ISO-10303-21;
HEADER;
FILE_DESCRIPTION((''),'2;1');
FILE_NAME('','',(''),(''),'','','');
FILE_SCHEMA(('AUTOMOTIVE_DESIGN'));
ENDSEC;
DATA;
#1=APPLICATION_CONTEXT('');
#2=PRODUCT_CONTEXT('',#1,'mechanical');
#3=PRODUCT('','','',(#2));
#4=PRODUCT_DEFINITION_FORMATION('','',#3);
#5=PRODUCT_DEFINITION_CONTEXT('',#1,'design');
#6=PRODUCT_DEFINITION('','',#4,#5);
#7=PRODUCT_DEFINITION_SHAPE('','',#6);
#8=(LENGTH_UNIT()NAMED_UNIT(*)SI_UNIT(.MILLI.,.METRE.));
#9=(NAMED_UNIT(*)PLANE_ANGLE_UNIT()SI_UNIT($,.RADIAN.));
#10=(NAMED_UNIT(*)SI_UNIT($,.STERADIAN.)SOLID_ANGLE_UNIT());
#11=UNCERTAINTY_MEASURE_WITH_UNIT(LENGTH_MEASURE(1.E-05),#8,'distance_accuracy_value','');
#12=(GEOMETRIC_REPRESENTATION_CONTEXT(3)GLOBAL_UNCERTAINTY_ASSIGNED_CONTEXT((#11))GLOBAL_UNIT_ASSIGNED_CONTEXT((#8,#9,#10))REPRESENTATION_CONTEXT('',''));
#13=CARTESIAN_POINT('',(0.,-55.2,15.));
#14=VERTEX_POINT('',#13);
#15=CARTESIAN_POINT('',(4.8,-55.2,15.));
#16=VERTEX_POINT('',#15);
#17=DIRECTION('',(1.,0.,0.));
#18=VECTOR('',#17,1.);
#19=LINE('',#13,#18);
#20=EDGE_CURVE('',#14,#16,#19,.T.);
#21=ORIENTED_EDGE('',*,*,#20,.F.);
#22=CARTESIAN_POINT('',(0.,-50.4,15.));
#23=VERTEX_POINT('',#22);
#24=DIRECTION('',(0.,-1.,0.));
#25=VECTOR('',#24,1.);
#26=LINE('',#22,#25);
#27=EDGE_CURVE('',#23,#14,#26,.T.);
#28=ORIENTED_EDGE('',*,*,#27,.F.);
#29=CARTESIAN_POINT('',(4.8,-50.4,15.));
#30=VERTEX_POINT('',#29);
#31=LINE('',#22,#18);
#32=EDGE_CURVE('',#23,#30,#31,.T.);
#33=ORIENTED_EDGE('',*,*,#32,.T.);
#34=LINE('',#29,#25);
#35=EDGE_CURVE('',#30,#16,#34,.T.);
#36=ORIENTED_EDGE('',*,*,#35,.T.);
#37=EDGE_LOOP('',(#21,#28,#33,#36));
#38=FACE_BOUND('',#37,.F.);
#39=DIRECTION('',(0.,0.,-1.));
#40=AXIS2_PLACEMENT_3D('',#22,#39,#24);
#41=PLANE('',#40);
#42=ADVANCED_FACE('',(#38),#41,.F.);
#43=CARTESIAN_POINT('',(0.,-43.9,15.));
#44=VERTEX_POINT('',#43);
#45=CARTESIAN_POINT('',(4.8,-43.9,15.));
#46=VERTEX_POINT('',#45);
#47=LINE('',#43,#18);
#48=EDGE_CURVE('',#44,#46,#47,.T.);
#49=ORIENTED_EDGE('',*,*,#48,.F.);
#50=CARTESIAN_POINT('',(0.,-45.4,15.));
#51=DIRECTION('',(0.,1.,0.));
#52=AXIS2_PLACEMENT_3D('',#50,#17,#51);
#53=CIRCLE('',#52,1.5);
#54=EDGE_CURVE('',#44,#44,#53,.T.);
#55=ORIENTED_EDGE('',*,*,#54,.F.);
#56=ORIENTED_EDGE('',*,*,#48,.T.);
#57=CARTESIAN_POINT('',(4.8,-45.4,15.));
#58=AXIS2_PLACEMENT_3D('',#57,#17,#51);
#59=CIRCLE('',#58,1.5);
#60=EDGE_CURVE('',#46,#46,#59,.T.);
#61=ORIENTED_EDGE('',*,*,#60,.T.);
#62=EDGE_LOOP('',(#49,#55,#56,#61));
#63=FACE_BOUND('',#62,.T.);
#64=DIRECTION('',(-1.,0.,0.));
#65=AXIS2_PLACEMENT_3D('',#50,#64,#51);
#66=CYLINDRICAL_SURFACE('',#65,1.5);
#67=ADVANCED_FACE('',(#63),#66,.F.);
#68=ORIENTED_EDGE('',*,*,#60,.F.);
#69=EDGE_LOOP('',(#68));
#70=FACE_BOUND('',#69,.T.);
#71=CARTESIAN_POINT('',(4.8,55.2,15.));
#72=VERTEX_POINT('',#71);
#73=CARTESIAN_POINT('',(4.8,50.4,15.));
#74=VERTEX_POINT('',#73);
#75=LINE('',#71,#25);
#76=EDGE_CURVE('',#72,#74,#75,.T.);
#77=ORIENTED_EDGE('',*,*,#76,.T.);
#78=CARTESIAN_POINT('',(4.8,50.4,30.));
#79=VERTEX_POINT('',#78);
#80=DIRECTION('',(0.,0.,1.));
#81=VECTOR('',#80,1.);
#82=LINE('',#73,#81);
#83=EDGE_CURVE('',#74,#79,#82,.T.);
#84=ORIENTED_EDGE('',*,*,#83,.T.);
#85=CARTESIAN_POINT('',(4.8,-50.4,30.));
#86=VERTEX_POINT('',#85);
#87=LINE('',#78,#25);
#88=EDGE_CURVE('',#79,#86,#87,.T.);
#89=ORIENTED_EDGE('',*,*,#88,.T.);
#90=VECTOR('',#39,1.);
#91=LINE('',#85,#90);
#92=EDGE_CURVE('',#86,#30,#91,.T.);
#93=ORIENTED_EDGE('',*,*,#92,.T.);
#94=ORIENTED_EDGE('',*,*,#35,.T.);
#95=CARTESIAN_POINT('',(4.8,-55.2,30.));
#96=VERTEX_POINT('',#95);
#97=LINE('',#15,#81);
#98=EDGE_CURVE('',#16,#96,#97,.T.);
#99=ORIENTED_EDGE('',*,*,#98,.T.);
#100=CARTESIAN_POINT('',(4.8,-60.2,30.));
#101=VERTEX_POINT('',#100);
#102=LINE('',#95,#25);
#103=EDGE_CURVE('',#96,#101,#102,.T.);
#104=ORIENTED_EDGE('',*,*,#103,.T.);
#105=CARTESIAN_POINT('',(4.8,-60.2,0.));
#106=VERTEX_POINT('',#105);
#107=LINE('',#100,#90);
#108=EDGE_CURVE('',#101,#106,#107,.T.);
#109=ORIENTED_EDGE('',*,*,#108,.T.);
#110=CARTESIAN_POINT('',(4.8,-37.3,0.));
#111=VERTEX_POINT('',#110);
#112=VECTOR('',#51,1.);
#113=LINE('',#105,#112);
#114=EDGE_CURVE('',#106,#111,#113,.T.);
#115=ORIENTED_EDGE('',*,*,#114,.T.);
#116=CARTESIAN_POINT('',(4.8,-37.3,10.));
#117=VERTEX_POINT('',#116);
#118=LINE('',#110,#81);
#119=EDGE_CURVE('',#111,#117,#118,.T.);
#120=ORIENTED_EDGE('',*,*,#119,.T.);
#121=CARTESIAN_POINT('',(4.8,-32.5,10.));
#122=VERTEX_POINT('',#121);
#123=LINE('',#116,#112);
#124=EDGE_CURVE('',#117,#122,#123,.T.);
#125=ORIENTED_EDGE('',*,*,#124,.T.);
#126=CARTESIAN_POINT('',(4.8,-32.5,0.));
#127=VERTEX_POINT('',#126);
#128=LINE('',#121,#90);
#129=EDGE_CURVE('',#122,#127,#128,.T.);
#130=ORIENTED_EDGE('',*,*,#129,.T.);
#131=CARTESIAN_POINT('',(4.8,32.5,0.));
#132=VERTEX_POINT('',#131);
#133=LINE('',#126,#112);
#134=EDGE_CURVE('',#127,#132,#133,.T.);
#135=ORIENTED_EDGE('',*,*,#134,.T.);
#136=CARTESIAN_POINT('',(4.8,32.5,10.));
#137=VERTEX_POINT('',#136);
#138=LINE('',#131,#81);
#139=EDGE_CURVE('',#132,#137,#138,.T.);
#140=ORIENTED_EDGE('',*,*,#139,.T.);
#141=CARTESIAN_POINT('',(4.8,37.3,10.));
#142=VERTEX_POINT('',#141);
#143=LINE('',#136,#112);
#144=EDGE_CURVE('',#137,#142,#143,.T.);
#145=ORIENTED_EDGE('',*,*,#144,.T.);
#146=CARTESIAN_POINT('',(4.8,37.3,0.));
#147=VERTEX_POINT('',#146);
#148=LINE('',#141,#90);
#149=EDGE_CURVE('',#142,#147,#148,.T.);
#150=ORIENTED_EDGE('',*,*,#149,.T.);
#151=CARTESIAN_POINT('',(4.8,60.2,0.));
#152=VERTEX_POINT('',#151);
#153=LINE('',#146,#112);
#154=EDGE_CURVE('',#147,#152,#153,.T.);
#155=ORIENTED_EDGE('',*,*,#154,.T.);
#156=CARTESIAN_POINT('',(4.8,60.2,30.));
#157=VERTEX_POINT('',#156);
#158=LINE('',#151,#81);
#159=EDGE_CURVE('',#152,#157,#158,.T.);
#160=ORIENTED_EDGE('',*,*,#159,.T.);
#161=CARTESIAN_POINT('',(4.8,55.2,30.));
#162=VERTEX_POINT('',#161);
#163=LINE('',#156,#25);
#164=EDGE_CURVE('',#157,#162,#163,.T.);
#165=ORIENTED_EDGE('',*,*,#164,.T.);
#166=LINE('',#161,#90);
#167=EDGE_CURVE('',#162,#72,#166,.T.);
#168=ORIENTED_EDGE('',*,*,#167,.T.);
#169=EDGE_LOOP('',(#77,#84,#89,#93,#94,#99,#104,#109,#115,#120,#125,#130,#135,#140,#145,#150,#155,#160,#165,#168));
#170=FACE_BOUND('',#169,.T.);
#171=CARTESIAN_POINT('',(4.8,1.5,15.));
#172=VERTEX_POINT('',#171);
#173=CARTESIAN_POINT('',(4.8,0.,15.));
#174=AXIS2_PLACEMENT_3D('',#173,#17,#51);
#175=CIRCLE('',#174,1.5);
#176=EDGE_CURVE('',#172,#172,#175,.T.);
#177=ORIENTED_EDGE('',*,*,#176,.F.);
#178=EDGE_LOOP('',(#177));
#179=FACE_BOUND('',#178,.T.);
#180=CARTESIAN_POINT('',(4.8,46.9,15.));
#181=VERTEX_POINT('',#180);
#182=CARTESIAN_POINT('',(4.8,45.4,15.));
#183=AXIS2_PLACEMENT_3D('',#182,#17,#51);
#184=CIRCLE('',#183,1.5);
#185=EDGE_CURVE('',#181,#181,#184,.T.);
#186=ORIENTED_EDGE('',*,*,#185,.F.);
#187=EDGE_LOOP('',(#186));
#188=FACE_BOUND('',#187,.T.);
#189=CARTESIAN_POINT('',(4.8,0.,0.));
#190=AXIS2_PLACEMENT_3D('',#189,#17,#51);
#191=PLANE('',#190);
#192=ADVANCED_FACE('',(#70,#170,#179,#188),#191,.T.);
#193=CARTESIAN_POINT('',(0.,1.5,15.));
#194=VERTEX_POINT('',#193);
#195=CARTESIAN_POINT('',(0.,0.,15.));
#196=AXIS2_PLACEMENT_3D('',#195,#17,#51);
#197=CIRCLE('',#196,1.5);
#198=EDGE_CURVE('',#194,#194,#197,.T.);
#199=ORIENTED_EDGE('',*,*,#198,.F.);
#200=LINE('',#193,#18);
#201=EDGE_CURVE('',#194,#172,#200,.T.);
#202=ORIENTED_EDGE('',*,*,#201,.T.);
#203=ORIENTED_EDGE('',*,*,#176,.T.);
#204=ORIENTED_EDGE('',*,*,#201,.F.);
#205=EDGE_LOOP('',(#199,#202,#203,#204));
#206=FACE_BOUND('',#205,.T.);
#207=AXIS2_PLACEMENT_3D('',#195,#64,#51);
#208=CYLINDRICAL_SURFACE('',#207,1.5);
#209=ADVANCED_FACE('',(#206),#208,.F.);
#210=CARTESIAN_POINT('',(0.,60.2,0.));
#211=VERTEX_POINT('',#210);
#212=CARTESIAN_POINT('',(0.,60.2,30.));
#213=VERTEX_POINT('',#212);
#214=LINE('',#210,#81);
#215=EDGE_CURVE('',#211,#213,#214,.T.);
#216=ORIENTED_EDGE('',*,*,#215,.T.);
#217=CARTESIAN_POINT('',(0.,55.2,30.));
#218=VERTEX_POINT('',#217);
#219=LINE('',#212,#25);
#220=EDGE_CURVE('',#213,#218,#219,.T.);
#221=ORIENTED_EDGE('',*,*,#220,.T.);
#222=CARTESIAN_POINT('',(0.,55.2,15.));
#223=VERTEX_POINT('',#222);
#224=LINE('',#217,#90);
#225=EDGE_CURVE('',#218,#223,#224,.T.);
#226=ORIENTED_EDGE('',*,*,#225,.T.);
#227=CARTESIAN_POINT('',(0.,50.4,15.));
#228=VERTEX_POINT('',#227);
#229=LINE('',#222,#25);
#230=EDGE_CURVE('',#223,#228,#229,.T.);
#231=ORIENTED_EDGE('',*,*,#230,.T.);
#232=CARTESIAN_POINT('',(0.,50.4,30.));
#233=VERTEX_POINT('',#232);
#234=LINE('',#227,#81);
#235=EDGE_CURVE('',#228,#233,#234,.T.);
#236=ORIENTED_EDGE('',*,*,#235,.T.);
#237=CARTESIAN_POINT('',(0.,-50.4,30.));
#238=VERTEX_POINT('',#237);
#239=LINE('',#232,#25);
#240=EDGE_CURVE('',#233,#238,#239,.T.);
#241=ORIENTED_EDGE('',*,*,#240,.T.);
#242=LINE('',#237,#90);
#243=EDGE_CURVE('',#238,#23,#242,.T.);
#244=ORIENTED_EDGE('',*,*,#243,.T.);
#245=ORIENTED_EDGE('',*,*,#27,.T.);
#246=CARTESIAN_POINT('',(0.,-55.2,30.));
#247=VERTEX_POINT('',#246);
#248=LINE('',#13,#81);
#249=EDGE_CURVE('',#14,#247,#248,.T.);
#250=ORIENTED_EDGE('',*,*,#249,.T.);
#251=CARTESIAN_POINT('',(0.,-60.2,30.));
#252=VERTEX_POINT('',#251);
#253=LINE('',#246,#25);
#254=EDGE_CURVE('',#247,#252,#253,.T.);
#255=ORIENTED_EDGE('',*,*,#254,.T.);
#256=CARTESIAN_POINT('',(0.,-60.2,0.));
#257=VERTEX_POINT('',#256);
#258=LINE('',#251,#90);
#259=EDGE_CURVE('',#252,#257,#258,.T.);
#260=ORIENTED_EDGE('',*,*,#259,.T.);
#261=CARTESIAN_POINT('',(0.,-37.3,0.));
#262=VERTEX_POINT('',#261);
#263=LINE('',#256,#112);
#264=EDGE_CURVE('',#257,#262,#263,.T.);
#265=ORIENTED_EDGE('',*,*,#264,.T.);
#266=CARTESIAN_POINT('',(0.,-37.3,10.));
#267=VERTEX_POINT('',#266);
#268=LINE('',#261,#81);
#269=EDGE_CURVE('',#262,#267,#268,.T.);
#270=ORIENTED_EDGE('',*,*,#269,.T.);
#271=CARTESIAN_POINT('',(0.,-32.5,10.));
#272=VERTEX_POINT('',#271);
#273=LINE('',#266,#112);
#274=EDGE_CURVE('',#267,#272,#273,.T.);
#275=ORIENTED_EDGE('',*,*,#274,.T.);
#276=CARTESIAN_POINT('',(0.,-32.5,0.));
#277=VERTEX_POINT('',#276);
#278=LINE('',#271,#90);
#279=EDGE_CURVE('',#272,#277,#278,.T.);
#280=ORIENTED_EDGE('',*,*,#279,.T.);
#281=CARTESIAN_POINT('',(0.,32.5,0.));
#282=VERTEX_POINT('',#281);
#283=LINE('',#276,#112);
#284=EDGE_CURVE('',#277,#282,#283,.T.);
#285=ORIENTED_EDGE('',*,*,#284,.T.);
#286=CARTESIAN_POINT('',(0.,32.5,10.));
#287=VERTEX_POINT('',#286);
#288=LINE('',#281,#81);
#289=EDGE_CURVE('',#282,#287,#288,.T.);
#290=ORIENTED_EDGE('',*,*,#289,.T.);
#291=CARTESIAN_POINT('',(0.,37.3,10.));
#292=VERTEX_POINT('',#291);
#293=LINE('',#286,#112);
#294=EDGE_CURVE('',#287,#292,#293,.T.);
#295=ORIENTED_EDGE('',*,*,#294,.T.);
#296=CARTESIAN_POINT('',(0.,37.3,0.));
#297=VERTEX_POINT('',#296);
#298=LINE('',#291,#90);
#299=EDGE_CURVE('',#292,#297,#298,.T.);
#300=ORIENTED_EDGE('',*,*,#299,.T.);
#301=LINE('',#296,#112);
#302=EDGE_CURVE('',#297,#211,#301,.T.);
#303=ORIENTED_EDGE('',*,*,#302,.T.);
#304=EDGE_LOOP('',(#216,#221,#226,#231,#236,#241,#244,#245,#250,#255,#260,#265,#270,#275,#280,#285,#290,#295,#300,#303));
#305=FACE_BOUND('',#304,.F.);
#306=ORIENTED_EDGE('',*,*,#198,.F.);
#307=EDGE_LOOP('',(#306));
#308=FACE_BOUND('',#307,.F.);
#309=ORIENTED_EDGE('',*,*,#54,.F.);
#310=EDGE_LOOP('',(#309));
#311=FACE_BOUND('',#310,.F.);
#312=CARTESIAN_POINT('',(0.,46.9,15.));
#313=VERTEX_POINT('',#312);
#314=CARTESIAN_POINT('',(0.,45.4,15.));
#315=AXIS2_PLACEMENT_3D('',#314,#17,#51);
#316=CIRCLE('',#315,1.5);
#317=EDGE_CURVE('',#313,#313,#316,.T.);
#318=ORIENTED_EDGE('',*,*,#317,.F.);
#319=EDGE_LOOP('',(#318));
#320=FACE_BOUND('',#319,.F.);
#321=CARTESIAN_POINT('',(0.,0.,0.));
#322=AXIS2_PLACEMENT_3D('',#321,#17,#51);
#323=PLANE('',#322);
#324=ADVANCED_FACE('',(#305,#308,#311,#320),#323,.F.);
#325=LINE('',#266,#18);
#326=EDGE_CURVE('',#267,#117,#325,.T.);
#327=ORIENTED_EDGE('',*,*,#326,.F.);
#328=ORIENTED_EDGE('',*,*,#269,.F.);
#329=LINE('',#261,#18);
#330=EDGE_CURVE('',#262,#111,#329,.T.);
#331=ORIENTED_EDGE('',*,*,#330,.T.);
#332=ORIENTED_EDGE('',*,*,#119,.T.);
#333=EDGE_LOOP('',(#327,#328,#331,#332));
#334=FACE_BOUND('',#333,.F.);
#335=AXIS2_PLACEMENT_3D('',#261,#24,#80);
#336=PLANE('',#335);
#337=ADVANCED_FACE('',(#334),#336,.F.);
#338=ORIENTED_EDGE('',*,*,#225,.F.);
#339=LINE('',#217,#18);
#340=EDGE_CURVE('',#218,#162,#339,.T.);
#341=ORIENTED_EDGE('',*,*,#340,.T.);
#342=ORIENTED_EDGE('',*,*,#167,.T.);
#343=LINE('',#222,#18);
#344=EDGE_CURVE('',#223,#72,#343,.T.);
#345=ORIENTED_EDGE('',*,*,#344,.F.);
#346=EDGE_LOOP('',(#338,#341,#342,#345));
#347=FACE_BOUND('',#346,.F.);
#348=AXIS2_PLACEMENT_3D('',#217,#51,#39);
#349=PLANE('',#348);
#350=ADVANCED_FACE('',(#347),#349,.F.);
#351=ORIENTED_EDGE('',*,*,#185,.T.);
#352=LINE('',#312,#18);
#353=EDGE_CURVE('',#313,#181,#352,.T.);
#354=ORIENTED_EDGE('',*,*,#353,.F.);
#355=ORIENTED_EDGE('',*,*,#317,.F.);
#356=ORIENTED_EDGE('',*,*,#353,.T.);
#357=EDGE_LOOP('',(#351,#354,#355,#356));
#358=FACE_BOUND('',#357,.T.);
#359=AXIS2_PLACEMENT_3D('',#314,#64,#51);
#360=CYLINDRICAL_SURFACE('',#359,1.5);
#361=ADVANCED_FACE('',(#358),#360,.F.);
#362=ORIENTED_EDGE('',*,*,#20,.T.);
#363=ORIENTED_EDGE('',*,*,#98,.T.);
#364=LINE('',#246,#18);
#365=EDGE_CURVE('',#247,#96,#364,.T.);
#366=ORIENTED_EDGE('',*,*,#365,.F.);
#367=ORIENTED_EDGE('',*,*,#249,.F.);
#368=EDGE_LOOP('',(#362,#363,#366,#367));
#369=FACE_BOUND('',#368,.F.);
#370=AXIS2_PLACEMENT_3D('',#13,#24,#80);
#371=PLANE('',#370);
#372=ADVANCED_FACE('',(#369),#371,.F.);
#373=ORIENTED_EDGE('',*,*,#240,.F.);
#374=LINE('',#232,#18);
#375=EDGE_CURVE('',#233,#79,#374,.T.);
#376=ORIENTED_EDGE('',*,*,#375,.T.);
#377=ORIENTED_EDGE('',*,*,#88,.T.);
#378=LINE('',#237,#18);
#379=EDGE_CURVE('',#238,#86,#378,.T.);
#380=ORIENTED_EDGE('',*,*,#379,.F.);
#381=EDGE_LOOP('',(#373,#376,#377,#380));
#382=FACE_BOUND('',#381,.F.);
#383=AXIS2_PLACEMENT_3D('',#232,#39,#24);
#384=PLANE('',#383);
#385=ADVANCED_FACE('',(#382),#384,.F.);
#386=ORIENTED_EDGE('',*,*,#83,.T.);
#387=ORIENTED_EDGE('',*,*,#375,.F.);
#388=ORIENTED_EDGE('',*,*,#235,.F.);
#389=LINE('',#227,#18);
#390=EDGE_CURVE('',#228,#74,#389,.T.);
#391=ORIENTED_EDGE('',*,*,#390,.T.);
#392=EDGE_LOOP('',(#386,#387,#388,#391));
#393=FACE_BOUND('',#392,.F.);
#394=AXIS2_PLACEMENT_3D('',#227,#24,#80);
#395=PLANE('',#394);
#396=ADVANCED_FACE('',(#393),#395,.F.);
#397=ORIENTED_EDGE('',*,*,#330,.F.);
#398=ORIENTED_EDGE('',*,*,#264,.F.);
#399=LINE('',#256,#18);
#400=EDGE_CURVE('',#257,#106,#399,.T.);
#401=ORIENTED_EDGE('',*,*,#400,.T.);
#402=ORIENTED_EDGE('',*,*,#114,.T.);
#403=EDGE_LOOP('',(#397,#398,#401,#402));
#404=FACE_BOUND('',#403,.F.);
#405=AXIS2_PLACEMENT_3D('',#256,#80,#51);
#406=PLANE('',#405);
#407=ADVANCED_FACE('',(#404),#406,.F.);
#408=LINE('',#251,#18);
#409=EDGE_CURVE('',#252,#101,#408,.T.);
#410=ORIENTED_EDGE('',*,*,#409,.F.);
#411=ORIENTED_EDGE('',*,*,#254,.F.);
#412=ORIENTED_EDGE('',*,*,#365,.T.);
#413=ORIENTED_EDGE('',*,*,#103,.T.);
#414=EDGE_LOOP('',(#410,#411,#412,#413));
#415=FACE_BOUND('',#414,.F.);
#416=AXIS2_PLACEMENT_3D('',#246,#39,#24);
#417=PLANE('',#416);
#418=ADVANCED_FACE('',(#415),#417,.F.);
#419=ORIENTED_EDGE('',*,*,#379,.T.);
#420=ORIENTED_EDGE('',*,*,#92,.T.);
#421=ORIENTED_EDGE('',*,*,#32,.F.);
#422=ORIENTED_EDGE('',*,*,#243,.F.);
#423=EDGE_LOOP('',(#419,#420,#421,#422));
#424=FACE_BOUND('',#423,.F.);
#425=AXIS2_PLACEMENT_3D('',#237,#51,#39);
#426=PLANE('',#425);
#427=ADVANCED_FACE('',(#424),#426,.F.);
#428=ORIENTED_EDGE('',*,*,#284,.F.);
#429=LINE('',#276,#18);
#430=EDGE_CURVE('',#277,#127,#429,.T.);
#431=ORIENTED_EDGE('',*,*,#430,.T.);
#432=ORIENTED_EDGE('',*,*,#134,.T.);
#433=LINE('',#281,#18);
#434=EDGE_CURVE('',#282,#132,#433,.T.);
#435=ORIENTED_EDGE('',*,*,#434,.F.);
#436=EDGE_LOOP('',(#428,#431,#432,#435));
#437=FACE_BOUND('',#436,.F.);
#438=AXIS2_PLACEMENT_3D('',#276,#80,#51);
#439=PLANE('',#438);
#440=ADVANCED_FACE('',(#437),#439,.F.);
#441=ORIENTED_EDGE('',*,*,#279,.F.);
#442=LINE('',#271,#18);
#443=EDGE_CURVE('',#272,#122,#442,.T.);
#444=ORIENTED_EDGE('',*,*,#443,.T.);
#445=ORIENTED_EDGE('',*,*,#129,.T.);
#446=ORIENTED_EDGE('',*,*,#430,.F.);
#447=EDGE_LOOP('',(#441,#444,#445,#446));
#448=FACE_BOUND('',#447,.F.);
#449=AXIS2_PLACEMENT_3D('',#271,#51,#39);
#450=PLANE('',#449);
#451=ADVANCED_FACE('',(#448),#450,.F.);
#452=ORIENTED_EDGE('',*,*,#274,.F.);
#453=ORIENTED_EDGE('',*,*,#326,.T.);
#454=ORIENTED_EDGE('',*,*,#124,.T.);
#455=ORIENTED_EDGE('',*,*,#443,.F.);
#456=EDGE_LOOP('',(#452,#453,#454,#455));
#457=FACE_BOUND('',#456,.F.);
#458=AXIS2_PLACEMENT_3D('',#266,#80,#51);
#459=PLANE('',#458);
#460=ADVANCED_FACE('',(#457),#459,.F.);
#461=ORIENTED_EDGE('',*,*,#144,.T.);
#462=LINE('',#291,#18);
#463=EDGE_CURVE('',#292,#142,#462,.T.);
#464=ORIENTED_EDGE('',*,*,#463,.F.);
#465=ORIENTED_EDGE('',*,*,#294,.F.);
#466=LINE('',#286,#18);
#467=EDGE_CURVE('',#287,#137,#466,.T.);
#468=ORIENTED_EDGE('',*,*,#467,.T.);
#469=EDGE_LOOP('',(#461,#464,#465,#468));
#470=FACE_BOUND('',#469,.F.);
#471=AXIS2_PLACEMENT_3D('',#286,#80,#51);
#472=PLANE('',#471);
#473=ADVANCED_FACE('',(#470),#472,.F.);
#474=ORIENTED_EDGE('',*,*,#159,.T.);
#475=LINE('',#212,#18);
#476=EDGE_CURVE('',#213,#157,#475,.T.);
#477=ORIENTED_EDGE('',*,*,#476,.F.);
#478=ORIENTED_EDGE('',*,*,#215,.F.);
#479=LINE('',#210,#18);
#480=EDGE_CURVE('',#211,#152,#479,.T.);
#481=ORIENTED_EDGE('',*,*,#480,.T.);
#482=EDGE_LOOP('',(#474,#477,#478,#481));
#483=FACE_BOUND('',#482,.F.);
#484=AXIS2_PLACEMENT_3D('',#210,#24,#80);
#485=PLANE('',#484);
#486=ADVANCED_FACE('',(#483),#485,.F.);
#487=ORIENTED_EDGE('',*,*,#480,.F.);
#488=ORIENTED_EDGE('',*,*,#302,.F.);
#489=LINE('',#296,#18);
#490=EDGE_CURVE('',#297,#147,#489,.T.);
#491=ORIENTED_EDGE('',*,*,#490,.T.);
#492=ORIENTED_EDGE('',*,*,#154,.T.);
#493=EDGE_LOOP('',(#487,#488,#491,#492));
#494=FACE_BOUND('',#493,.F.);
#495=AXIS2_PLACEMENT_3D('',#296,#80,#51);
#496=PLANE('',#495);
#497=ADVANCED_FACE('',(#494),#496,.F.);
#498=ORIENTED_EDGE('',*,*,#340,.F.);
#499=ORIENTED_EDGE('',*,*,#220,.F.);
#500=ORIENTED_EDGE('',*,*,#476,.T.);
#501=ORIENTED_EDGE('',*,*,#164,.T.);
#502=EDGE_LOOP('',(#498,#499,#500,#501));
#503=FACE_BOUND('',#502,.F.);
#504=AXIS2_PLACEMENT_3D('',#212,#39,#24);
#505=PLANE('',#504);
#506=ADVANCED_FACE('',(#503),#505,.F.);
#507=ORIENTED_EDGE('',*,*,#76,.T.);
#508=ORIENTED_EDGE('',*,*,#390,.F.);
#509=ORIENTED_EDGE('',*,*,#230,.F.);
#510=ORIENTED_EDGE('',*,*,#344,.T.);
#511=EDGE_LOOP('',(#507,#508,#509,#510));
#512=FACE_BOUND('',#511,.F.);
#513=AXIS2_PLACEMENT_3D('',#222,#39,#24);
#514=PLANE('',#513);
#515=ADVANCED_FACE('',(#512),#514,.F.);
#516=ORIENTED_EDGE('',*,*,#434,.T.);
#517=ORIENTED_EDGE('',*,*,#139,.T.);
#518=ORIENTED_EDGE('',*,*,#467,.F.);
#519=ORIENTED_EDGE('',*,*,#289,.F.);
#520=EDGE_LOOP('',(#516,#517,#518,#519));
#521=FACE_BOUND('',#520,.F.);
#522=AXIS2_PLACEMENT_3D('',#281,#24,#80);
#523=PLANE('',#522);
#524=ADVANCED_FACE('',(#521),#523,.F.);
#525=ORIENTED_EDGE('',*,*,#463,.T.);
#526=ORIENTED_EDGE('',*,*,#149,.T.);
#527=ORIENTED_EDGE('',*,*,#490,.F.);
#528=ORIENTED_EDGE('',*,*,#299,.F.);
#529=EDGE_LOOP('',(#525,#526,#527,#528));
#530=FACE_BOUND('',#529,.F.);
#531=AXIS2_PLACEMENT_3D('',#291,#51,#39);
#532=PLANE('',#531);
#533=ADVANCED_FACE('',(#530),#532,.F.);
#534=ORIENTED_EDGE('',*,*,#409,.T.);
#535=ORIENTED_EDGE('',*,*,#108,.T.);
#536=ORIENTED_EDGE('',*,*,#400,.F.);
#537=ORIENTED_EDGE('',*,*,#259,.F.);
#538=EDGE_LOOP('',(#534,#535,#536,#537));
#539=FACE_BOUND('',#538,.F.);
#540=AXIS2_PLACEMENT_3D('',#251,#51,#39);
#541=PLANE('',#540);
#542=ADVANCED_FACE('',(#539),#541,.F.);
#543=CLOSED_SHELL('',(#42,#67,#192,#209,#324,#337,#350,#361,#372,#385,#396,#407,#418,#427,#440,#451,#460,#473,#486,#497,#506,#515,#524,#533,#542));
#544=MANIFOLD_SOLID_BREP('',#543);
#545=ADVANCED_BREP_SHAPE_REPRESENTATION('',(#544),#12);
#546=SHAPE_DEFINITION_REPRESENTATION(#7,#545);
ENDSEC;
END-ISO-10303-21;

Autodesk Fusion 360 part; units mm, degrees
sketch "Sketch1" plane through (0, 0, 0) normal (1, 0, 0) x (0, 1, 0)
  line L0 (-60.2, 30) -> (-60.2, 0)
  line L1 (-60.2, 0) -> (-37.3, 0)
  line L2 (-37.3, 0) -> (-37.3, 10)
  line L3 (-37.3, 10) -> (-32.5, 10)
  line L4 (-32.5, 10) -> (-32.5, 0)
  line L5 (-32.5, 0) -> (32.5, 0)
  line L6 (32.5, 0) -> (32.5, 10)
  line L7 (32.5, 10) -> (37.3, 10)
  line L8 (37.3, 10) -> (37.3, 0)
  line L9 (37.3, 0) -> (60.2, 0)
  line L10 (60.2, 0) -> (60.2, 30)
  line L11 (60.2, 30) -> (55.2, 30)
  line L12 (55.2, 30) -> (55.2, 15)
  line L13 (55.2, 15) -> (50.4, 15)
  line L14 (50.4, 15) -> (50.4, 30)
  line L15 (50.4, 30) -> (-50.4, 30)
  line L16 (-50.4, 30) -> (-50.4, 15)
  line L17 (-50.4, 15) -> (-55.2, 15)
  line L18 (-55.2, 15) -> (-55.2, 30)
  line L19 (-55.2, 30) -> (-60.2, 30)
  line L20 (-55.2, 30) -> (-50.4, 30) construction
  line L21 (50.4, 30) -> (55.2, 30) construction
  line L22 (37.3, 0) -> (32.5, 0) construction
  line L23 (-32.5, 0) -> (-37.3, 0) construction
  line L24 (-50.4, 15) -> (50.4, 15) construction
  line L25 (0, 0) -> (0, 15) construction
  line L26 (0, 15) -> (0, 30) construction
  circle A0 centre (0, 15) radius 1.5
  circle A1 centre (-45.4, 15) radius 1.5
  circle A2 centre (45.4, 15) radius 1.5
  line L27 (-32.5, 10) -> (32.5, 10) construction
  point P0 (0, 15)
  point P1 (0, 15)
  point P2 (0, 30)
  dimension "d1" = 4.8
  dimension "d2" = 4.8
  dimension "d3" = 4.8
  dimension "d4" = 4.8
  dimension "d7" = 15
  dimension "d9" = 30
  dimension "d10" = 65
  dimension "d11" = 120.4
  dimension "d12" = 100.8
  dimension "d13" = 5
  dimension "d14" = 3
  dimension "d15" = 3
  dimension "d16" = 5
  dimension "d17" = 3
  dimension "d18" = 5
  dimension "d21" = 10
extrude "Extrude1" add sketch "Sketch1" along normal blind 4.8
